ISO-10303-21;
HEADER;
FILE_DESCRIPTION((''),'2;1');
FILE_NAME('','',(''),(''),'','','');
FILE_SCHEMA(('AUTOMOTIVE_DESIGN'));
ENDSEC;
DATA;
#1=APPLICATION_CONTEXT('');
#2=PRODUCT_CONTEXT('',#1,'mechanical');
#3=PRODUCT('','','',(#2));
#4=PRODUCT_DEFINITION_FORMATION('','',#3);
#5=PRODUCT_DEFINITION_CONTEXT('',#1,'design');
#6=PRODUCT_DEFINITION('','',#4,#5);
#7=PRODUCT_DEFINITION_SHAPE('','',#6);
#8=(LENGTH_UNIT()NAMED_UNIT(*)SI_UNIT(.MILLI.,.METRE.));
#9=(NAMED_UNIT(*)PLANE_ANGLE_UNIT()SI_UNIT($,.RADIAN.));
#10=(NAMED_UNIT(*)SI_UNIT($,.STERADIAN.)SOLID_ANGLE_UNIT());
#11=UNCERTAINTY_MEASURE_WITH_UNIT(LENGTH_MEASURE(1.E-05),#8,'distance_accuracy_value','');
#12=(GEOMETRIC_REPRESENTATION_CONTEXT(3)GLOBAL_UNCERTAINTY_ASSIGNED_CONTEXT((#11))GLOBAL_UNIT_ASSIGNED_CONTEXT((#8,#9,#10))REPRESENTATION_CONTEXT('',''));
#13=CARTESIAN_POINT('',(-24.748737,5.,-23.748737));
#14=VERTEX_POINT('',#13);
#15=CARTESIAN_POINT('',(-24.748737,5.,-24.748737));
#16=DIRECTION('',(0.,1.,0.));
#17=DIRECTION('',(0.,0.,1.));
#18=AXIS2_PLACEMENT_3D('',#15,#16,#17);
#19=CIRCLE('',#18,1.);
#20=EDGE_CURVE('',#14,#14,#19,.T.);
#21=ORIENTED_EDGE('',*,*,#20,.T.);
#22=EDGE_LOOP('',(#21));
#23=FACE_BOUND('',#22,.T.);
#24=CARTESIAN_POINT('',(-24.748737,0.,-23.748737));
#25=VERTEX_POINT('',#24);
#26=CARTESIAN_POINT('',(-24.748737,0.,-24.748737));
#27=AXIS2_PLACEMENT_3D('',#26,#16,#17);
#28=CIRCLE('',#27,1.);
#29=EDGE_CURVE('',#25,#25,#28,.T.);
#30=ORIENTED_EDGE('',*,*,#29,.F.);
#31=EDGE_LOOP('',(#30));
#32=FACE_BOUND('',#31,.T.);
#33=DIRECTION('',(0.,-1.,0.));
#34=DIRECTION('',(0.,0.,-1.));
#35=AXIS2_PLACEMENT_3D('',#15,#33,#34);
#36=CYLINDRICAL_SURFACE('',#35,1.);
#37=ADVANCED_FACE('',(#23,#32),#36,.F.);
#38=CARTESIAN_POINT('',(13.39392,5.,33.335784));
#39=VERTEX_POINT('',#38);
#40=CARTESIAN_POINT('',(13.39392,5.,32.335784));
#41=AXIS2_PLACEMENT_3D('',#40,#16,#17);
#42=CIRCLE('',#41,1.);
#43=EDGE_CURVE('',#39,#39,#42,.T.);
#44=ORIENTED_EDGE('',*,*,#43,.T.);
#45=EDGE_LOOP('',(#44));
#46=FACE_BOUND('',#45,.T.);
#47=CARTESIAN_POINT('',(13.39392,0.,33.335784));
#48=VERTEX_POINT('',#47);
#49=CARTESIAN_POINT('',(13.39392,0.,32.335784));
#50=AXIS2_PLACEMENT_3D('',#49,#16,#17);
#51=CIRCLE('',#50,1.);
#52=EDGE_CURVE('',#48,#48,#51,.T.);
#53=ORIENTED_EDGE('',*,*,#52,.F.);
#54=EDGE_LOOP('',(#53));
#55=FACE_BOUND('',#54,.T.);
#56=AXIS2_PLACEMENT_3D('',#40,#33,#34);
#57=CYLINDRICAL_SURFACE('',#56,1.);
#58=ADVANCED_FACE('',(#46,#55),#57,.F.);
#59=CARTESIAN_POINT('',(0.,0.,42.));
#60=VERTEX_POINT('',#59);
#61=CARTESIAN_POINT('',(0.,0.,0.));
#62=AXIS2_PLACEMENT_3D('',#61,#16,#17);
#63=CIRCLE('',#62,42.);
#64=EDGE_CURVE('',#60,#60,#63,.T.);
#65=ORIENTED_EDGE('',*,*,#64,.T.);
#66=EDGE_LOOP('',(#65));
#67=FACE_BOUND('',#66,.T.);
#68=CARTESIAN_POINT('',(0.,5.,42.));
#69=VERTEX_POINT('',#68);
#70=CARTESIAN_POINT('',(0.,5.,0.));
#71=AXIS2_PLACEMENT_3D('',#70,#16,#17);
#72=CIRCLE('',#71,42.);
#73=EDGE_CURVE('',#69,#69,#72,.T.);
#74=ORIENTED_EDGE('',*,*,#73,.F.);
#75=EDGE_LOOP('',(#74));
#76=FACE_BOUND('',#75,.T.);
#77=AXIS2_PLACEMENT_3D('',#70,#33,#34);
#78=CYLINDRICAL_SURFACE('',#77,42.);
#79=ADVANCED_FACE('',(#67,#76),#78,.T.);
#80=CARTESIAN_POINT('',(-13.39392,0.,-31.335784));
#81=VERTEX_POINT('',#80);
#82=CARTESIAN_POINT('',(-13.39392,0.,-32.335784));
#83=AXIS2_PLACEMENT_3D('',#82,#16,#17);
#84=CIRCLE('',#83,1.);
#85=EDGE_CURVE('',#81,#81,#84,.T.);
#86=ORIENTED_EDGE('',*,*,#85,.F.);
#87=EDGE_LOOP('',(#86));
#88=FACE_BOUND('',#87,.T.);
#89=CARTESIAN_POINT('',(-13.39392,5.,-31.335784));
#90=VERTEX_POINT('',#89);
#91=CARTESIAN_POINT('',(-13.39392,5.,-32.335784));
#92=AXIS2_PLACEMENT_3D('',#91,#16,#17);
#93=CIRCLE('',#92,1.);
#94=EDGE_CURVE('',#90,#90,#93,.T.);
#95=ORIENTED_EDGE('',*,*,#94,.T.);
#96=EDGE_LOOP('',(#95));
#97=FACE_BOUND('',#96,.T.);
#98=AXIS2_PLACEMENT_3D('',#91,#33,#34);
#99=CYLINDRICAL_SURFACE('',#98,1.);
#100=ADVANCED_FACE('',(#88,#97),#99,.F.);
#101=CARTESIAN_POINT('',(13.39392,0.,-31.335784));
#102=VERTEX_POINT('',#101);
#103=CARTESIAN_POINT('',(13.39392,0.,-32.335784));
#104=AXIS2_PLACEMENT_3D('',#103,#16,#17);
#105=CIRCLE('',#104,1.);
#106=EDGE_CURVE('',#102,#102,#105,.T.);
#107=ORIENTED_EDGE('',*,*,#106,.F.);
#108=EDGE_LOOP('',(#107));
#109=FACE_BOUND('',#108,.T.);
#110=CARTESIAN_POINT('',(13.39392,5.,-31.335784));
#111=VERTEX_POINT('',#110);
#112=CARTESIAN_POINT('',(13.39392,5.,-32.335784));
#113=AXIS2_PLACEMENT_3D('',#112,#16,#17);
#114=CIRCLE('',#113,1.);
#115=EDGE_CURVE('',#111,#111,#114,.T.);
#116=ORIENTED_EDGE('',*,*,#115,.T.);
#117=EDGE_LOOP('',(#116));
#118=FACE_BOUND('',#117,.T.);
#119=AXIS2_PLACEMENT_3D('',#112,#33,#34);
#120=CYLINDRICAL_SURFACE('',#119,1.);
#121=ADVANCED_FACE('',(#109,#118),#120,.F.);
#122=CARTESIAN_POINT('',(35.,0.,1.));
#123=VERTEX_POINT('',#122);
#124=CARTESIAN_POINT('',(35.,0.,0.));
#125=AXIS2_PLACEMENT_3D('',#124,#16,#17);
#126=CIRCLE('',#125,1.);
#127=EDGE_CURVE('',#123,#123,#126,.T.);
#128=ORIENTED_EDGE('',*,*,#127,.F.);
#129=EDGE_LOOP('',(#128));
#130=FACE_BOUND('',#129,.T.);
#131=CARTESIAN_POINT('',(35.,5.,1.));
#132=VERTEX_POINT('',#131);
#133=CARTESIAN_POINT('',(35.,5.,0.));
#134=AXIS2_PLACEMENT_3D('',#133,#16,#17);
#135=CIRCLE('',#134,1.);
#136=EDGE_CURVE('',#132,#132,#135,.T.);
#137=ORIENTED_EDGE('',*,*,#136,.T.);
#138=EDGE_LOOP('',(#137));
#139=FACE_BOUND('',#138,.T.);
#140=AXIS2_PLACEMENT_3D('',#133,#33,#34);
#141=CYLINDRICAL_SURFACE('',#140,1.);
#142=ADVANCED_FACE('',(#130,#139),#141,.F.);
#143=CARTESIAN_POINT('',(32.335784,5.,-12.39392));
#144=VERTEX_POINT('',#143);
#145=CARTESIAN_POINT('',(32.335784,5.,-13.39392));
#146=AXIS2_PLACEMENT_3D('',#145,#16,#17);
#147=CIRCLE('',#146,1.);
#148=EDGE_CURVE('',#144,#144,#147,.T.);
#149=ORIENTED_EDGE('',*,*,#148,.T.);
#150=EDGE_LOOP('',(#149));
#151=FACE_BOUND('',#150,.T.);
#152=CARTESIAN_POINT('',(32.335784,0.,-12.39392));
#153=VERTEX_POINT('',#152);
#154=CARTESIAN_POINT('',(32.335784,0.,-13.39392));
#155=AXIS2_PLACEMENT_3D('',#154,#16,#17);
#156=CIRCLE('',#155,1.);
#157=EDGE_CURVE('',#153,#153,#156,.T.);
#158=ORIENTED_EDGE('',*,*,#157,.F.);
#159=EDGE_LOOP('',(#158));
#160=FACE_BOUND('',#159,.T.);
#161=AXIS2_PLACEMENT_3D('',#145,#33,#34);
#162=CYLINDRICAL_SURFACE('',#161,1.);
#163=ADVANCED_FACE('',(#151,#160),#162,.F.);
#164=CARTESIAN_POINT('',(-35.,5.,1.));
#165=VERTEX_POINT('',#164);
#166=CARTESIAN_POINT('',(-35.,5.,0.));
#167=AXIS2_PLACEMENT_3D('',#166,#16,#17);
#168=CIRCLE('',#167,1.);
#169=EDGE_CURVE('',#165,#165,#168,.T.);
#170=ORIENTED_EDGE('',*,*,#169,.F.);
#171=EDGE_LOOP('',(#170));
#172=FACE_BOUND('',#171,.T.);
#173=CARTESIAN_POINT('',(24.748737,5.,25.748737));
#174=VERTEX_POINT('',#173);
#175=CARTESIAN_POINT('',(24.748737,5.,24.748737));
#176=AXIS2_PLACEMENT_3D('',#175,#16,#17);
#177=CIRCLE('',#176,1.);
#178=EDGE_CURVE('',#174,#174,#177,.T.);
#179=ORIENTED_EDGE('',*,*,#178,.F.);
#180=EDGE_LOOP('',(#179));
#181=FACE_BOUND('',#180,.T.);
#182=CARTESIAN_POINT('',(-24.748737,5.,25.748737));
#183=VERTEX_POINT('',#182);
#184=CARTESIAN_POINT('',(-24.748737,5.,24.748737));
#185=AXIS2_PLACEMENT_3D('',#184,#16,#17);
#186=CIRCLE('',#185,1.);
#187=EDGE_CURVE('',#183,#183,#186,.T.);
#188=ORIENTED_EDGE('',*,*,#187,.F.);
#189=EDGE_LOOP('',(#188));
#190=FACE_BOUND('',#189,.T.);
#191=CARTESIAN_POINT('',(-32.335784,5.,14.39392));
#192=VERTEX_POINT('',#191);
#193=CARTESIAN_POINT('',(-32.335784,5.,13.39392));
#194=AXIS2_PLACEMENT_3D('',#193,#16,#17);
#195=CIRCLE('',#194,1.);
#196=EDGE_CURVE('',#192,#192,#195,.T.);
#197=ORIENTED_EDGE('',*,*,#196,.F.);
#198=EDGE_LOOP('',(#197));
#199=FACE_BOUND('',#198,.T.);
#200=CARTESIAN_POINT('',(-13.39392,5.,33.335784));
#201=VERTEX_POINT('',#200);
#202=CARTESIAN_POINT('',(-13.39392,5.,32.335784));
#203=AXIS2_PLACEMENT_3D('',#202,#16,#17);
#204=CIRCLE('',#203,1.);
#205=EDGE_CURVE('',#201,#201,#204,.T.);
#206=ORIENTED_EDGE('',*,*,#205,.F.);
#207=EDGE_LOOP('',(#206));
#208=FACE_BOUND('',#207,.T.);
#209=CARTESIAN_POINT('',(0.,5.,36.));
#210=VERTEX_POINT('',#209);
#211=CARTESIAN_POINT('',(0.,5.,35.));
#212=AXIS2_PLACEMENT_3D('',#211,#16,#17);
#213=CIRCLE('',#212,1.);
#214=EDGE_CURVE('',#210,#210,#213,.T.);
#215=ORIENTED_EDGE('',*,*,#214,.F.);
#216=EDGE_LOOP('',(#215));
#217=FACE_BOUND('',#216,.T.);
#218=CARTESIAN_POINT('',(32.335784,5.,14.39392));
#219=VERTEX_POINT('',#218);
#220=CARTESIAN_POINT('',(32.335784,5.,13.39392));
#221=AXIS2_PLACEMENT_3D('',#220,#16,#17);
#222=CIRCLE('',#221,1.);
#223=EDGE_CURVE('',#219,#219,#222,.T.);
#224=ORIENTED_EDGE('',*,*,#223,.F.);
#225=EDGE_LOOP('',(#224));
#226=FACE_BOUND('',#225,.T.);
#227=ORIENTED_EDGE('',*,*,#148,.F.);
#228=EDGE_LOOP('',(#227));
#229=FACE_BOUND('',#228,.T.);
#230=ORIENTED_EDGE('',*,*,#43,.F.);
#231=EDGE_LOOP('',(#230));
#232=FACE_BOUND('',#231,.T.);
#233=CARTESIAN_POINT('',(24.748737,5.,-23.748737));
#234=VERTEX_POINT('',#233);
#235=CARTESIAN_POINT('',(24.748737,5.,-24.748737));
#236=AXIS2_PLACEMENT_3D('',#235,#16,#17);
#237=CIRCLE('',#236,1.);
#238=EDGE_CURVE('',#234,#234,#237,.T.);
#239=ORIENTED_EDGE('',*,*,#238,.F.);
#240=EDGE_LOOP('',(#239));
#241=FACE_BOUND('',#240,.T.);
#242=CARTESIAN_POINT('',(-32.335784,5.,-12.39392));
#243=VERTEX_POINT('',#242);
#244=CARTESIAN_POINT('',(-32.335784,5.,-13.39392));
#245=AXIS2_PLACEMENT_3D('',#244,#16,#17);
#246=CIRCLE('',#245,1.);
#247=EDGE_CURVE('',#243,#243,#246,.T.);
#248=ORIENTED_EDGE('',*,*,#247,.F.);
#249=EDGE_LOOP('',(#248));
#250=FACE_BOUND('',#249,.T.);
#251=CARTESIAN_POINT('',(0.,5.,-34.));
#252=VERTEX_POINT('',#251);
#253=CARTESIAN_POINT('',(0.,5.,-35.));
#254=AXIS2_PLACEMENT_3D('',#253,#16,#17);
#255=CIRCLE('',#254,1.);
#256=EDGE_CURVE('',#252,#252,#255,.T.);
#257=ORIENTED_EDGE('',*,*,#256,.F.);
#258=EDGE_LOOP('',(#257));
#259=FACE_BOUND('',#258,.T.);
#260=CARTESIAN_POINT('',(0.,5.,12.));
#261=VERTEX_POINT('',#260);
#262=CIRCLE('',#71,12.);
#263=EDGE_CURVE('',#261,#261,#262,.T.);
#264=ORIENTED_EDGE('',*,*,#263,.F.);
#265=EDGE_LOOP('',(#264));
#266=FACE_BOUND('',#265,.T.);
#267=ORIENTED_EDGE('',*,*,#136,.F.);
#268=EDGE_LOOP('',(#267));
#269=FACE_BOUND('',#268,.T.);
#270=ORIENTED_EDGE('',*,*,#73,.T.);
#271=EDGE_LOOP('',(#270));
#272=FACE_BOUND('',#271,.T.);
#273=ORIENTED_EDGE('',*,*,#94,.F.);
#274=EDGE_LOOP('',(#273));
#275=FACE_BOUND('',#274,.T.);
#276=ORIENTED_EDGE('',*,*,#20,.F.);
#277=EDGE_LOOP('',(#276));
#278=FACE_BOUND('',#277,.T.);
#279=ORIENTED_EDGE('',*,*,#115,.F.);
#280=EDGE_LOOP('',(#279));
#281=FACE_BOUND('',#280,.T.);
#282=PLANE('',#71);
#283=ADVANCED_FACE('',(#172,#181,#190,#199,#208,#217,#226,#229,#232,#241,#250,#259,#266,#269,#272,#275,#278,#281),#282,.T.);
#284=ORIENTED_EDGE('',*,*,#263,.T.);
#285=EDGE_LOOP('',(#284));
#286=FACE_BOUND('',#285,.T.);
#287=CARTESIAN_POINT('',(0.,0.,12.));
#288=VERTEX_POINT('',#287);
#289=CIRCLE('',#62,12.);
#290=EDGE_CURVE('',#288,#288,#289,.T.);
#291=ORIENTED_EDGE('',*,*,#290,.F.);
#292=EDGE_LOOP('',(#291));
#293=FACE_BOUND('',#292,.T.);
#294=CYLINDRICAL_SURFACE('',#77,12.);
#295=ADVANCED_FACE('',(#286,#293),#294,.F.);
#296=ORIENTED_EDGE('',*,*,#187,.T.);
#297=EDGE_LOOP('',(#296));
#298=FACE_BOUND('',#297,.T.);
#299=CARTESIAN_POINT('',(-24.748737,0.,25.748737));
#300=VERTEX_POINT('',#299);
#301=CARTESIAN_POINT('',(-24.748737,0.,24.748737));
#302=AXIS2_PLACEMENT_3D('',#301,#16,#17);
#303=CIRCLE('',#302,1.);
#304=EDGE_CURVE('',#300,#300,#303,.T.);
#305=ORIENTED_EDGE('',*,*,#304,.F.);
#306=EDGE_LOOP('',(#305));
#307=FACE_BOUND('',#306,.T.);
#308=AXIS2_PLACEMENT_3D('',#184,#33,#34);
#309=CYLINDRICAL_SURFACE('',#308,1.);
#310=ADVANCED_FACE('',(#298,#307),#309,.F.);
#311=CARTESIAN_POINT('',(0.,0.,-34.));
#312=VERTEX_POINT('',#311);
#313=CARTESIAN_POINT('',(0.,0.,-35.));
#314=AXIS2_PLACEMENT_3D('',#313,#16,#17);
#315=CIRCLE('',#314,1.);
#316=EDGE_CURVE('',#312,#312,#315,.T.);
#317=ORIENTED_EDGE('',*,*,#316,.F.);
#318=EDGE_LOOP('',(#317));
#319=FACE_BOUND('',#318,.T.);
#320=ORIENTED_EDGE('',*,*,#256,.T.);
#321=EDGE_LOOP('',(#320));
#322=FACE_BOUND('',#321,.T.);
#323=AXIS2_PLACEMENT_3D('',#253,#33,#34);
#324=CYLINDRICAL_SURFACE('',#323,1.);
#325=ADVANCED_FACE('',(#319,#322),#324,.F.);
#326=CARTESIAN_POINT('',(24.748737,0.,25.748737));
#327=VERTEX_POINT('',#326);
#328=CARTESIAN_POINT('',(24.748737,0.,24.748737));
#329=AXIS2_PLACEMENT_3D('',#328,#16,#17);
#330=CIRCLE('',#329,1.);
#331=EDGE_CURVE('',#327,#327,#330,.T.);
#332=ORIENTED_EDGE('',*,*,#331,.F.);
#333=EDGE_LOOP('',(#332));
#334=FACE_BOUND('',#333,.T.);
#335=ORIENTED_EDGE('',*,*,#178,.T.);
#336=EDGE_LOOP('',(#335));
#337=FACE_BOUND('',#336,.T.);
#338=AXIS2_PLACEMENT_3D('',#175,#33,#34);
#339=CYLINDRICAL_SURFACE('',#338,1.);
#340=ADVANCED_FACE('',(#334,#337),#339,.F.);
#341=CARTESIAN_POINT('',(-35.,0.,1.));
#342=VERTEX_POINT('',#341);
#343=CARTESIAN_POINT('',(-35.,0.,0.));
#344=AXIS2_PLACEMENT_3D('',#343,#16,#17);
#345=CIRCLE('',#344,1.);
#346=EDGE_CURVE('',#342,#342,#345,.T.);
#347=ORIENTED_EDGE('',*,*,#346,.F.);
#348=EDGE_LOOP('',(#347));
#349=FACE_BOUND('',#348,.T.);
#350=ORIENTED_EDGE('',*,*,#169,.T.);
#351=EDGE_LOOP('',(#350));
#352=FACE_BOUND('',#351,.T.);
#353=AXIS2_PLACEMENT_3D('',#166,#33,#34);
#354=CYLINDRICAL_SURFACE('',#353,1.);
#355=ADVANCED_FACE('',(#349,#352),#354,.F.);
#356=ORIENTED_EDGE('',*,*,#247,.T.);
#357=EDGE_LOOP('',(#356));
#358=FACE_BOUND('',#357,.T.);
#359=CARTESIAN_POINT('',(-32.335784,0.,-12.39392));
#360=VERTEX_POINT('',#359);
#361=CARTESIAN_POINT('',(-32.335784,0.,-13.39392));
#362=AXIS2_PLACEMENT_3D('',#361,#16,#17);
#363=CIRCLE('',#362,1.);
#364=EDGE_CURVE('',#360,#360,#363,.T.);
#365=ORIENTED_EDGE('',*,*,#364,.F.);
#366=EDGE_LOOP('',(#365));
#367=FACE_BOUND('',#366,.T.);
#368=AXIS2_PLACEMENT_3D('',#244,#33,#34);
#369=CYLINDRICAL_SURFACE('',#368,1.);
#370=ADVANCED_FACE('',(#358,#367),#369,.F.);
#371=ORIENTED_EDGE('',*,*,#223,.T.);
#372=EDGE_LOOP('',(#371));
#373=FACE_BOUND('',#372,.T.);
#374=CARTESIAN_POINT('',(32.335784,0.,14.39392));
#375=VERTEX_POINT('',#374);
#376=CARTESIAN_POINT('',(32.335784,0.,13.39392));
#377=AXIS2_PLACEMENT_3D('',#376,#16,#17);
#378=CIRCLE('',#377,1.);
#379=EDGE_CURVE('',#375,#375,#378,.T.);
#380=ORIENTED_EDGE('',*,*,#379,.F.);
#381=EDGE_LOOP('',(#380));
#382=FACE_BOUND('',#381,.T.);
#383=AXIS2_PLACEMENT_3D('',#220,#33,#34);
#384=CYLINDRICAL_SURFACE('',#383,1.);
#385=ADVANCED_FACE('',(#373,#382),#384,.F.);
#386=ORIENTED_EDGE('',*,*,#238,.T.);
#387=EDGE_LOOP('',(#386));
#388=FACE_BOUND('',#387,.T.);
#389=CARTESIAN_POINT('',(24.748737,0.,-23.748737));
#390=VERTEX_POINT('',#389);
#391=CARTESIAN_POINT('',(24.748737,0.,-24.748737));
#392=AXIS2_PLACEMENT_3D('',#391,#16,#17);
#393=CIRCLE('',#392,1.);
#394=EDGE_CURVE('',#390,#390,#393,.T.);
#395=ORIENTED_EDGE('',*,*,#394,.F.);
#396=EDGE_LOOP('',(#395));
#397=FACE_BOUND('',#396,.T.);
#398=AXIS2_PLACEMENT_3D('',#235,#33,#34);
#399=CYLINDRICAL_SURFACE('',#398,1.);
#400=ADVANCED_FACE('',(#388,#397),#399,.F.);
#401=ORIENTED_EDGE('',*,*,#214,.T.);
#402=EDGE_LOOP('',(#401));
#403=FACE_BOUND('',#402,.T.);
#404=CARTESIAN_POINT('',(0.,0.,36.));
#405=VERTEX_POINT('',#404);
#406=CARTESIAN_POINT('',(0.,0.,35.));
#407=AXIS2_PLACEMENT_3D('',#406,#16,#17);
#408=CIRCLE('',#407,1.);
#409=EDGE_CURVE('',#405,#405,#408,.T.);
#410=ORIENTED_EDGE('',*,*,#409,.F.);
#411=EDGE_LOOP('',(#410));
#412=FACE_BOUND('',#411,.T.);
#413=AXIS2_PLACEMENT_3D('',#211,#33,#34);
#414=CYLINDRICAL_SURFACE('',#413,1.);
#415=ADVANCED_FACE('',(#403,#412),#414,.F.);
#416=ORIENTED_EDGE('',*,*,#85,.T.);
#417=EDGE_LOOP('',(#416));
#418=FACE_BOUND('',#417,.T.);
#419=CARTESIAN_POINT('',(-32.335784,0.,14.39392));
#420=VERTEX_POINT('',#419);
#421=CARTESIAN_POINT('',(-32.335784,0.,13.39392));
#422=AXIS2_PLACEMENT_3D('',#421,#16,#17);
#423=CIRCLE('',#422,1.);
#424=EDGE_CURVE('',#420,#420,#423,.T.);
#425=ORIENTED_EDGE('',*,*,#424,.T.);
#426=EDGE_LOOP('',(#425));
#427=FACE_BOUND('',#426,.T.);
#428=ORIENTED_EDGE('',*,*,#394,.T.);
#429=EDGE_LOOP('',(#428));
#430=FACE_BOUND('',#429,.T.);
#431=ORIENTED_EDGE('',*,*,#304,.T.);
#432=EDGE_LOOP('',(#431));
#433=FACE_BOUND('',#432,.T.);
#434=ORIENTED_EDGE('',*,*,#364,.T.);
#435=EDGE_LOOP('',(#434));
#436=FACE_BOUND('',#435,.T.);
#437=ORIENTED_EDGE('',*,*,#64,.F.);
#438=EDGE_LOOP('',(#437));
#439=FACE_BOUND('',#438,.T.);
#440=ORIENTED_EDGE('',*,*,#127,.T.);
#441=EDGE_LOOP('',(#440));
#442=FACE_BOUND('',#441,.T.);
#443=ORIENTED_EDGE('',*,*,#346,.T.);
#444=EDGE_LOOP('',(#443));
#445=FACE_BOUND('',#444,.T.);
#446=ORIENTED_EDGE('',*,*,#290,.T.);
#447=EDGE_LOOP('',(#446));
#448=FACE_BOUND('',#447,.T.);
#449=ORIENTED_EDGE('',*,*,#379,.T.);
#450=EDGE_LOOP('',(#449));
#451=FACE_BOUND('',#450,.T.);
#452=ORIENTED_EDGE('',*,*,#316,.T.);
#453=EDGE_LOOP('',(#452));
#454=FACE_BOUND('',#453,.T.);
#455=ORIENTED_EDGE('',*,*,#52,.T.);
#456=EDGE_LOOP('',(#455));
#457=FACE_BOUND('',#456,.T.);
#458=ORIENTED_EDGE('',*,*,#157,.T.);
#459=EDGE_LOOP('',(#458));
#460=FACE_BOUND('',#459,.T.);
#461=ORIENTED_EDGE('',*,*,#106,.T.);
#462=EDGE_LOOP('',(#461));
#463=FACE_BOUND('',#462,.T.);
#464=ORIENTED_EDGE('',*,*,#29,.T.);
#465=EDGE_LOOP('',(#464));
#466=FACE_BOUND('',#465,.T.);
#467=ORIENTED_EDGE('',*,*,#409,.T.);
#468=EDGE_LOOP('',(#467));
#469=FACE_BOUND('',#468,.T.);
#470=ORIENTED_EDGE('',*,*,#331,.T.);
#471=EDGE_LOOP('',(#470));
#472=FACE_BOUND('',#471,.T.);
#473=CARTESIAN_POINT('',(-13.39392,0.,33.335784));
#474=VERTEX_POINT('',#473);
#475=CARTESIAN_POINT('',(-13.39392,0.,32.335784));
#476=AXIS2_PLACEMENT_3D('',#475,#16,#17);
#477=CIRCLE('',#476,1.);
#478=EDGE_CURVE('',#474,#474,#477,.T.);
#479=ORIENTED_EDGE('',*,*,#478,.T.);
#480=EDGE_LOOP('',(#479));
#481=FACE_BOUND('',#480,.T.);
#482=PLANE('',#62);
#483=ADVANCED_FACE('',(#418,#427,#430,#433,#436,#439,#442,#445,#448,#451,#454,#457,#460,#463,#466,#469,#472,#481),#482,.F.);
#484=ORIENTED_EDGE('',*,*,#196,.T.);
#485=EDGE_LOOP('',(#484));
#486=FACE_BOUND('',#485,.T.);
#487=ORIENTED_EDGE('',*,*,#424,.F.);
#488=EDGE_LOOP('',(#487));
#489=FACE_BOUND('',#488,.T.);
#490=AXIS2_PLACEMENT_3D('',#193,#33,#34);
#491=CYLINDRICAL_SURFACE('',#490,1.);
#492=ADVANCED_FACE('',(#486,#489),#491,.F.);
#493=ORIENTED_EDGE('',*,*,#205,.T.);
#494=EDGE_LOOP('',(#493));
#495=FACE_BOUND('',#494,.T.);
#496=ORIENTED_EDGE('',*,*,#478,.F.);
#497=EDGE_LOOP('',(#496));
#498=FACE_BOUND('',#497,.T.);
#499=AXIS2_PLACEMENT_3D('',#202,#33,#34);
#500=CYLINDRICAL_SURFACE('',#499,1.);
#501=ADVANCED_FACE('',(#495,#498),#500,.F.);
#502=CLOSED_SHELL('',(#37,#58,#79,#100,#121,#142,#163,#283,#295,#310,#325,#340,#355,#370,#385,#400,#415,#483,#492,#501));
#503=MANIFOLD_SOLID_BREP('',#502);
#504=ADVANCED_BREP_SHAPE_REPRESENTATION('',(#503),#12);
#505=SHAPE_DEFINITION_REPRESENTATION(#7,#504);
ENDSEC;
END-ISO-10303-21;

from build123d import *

# Parameters (mm, degrees)
SKETCH1_R           = 42
SKETCH1_R_2         = 12
SKETCH1_R_3         = 1
BOSS_EXTRUDE1_DEPTH = 5


with BuildPart() as part:
    # Sketch1 → Boss-Extrude1 (new body)
    with BuildSketch(Plane(origin=(0, 0, 0), x_dir=(1, 0, 0), z_dir=(0, 1, 0))):
        with Locations(Location((0, 0, 0), (0, 0, 270))):
            Circle(SKETCH1_R)
        with Locations(Location((0, 0, 0), (0, 0, 270))):
            Circle(SKETCH1_R_2, mode=Mode.SUBTRACT)
        with Locations(Location((35, 0, 0), (0, 0, 270))):
            Circle(SKETCH1_R_3, mode=Mode.SUBTRACT)
        with Locations(Location((32.335783638, -13.393920133, 0), (0, 0, 270))):
            Circle(SKETCH1_R_3, mode=Mode.SUBTRACT)
        with Locations(Location((24.748737342, -24.748737342, 0), (0, 0, 270))):
            Circle(SKETCH1_R_3, mode=Mode.SUBTRACT)
        with Locations(Location((13.393920133, -32.335783638, 0), (0, 0, 270))):
            Circle(SKETCH1_R_3, mode=Mode.SUBTRACT)
        with Locations(Location((0, -35, 0), (0, 0, 270))):
            Circle(SKETCH1_R_3, mode=Mode.SUBTRACT)
        with Locations(Location((-13.393920133, -32.335783638, 0), (0, 0, 270))):
            Circle(SKETCH1_R_3, mode=Mode.SUBTRACT)
        with Locations(Location((-24.748737342, -24.748737342, 0), (0, 0, 270))):
            Circle(SKETCH1_R_3, mode=Mode.SUBTRACT)
        with Locations(Location((-32.335783638, -13.393920133, 0), (0, 0, 270))):
            Circle(SKETCH1_R_3, mode=Mode.SUBTRACT)
        with Locations(Location((-35, 0, 0), (0, 0, 270))):
            Circle(SKETCH1_R_3, mode=Mode.SUBTRACT)
        with Locations(Location((-32.335783638, 13.393920133, 0), (0, 0, 270))):
            Circle(SKETCH1_R_3, mode=Mode.SUBTRACT)
        with Locations(Location((-24.748737342, 24.748737342, 0), (0, 0, 270))):
            Circle(SKETCH1_R_3, mode=Mode.SUBTRACT)
        with Locations(Location((-13.393920133, 32.335783638, 0), (0, 0, 270))):
            Circle(SKETCH1_R_3, mode=Mode.SUBTRACT)
        with Locations(Location((0, 35, 0), (0, 0, 270))):
            Circle(SKETCH1_R_3, mode=Mode.SUBTRACT)
        with Locations(Location((13.393920133, 32.335783638, 0), (0, 0, 270))):
            Circle(SKETCH1_R_3, mode=Mode.SUBTRACT)
        with Locations(Location((24.748737342, 24.748737342, 0), (0, 0, 270))):
            Circle(SKETCH1_R_3, mode=Mode.SUBTRACT)
        with Locations(Location((32.335783638, 13.393920133, 0), (0, 0, 270))):
            Circle(SKETCH1_R_3, mode=Mode.SUBTRACT)
    extrude(amount=BOSS_EXTRUDE1_DEPTH)


solid = part.part
